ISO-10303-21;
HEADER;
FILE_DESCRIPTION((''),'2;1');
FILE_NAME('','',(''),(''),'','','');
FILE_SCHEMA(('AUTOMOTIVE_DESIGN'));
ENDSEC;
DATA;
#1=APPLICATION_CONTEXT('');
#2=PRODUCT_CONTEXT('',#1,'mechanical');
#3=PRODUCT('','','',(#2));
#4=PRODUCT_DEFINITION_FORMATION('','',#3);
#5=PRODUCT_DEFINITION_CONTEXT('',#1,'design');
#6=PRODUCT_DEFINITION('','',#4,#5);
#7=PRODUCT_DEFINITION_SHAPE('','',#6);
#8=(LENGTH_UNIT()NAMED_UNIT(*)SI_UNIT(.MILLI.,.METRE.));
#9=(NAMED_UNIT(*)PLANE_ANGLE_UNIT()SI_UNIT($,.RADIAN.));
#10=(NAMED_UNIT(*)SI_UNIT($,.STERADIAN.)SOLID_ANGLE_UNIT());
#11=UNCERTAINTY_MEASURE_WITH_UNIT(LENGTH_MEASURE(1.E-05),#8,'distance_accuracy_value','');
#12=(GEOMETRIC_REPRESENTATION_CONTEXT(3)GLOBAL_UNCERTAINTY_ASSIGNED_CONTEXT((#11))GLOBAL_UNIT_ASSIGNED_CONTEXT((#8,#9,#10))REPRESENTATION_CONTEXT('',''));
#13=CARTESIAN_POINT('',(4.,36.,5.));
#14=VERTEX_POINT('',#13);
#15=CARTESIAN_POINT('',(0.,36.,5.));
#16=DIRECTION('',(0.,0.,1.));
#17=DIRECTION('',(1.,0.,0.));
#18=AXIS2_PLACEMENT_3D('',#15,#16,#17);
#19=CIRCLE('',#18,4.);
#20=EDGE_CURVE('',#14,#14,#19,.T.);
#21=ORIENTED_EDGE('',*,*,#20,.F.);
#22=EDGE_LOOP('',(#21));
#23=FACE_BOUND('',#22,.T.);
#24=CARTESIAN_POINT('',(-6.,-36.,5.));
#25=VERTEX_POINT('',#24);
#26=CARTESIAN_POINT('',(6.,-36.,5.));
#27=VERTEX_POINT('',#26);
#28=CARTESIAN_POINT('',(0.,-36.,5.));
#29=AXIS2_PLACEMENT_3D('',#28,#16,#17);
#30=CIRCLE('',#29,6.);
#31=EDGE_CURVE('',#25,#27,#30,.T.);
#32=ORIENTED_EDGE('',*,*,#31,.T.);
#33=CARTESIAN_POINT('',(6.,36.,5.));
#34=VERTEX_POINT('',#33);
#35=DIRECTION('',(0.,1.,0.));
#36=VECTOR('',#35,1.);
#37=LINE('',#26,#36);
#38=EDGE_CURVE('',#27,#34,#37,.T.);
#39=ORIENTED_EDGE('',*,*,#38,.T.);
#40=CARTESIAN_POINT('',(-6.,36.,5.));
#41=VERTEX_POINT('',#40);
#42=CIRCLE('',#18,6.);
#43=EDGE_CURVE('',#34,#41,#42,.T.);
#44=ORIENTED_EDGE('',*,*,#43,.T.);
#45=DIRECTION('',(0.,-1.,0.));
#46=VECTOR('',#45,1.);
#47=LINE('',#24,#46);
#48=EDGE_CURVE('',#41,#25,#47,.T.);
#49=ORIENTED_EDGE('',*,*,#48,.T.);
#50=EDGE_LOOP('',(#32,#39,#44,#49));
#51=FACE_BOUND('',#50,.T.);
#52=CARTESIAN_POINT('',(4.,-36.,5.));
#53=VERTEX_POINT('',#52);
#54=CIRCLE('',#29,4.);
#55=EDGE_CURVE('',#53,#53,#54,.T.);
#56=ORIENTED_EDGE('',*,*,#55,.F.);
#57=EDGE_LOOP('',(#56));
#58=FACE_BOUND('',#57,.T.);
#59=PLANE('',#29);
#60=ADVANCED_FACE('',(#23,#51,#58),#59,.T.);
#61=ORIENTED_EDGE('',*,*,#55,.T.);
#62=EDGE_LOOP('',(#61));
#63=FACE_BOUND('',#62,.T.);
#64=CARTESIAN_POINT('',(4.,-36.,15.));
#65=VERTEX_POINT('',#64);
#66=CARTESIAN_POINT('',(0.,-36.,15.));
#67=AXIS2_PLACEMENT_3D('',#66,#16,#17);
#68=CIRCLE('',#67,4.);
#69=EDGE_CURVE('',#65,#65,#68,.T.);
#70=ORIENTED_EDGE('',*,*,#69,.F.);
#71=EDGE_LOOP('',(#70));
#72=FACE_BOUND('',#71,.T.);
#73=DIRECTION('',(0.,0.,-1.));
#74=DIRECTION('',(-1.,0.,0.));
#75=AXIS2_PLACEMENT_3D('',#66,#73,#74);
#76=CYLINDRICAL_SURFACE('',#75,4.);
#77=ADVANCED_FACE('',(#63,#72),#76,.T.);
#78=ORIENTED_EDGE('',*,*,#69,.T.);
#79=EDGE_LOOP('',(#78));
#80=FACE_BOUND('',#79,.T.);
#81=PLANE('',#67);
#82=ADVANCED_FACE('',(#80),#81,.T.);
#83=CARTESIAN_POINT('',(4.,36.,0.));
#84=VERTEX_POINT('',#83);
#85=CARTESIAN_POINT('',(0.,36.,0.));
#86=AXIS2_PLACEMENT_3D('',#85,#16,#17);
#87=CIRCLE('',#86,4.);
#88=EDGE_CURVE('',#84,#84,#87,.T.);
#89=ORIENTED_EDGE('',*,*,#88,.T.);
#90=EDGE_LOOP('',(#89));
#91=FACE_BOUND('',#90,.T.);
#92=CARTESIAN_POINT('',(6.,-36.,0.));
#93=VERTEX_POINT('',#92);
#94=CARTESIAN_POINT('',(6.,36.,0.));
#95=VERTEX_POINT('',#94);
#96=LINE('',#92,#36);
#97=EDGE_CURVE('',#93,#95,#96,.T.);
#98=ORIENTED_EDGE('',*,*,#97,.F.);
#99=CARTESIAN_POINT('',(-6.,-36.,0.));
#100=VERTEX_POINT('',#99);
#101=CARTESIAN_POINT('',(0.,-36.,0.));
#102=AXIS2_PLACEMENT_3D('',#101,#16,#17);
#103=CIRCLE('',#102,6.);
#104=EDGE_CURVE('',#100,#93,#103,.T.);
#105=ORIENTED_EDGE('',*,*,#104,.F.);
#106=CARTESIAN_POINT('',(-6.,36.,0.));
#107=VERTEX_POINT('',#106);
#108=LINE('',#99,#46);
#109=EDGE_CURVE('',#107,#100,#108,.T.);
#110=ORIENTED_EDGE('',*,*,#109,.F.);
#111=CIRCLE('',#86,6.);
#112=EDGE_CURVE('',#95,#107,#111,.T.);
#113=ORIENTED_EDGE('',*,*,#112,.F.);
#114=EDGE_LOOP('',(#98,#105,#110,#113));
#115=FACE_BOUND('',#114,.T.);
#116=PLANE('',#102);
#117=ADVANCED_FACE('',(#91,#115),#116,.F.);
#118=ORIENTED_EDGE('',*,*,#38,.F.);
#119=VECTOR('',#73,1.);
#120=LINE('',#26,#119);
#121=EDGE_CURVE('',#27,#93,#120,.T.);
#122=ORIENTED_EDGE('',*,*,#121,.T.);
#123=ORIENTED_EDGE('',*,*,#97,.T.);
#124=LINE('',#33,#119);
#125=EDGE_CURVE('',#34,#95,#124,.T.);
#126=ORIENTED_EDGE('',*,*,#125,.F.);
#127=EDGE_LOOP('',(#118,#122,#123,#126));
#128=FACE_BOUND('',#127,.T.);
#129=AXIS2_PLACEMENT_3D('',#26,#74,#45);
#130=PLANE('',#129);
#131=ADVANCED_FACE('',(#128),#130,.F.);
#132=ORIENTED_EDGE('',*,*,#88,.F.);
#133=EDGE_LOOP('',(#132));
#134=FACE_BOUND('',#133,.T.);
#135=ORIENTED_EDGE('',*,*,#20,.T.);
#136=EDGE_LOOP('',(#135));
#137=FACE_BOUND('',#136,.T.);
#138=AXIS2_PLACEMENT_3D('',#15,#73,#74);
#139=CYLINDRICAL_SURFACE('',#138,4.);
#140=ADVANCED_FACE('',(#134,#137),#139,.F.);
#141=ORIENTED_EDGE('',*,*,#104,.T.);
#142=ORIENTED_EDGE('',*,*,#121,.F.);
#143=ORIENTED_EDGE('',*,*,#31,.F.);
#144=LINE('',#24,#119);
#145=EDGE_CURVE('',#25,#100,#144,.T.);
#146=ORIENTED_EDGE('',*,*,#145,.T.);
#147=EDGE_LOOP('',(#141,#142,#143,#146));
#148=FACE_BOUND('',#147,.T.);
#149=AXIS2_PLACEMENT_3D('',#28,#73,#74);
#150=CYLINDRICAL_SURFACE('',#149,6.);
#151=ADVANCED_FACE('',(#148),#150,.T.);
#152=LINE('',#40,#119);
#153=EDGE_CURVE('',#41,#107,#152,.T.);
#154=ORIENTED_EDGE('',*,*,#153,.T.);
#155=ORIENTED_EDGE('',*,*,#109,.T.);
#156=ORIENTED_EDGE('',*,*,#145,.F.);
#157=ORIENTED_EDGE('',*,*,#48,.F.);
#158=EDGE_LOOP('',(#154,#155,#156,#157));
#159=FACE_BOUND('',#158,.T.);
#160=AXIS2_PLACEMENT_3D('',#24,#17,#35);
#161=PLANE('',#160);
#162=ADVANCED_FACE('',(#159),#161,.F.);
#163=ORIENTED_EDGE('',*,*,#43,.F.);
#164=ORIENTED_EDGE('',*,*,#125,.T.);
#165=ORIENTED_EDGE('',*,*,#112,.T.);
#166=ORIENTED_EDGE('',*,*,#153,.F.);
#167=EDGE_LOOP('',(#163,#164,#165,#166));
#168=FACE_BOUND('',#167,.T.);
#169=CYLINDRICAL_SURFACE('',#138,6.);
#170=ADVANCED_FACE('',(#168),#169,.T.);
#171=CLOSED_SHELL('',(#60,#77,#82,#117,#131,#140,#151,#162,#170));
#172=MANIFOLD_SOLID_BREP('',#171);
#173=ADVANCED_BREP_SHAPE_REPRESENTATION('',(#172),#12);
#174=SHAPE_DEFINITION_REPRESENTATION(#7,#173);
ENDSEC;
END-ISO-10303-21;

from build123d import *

# Parameters (mm, degrees)
SKETCH1_R           = 4
BOSS_EXTRUDE1_DEPTH = 5
SKETCH2_R           = 4
BOSS_EXTRUDE2_DEPTH = 10


with BuildPart() as part:
    # Sketch1 → Boss-Extrude1 (new body)
    with BuildSketch(Plane.XY):
        with BuildLine():
            Line((-6, -36), (-6, 36))
            ThreePointArc((-6, 36), (0, 42), (6, 36))
            Line((6, 36), (6, -36))
            ThreePointArc((6, -36), (0, -42), (-6, -36))
        make_face()
        with Locations((0, 36)):
            Circle(SKETCH1_R, mode=Mode.SUBTRACT)
    extrude(amount=BOSS_EXTRUDE1_DEPTH)

    # Sketch2 → Boss-Extrude2 (add)
    with BuildSketch(Plane.XY.offset(5)):
        with Locations((0, -36)):
            Circle(SKETCH2_R)
    extrude(amount=BOSS_EXTRUDE2_DEPTH)


solid = part.part
